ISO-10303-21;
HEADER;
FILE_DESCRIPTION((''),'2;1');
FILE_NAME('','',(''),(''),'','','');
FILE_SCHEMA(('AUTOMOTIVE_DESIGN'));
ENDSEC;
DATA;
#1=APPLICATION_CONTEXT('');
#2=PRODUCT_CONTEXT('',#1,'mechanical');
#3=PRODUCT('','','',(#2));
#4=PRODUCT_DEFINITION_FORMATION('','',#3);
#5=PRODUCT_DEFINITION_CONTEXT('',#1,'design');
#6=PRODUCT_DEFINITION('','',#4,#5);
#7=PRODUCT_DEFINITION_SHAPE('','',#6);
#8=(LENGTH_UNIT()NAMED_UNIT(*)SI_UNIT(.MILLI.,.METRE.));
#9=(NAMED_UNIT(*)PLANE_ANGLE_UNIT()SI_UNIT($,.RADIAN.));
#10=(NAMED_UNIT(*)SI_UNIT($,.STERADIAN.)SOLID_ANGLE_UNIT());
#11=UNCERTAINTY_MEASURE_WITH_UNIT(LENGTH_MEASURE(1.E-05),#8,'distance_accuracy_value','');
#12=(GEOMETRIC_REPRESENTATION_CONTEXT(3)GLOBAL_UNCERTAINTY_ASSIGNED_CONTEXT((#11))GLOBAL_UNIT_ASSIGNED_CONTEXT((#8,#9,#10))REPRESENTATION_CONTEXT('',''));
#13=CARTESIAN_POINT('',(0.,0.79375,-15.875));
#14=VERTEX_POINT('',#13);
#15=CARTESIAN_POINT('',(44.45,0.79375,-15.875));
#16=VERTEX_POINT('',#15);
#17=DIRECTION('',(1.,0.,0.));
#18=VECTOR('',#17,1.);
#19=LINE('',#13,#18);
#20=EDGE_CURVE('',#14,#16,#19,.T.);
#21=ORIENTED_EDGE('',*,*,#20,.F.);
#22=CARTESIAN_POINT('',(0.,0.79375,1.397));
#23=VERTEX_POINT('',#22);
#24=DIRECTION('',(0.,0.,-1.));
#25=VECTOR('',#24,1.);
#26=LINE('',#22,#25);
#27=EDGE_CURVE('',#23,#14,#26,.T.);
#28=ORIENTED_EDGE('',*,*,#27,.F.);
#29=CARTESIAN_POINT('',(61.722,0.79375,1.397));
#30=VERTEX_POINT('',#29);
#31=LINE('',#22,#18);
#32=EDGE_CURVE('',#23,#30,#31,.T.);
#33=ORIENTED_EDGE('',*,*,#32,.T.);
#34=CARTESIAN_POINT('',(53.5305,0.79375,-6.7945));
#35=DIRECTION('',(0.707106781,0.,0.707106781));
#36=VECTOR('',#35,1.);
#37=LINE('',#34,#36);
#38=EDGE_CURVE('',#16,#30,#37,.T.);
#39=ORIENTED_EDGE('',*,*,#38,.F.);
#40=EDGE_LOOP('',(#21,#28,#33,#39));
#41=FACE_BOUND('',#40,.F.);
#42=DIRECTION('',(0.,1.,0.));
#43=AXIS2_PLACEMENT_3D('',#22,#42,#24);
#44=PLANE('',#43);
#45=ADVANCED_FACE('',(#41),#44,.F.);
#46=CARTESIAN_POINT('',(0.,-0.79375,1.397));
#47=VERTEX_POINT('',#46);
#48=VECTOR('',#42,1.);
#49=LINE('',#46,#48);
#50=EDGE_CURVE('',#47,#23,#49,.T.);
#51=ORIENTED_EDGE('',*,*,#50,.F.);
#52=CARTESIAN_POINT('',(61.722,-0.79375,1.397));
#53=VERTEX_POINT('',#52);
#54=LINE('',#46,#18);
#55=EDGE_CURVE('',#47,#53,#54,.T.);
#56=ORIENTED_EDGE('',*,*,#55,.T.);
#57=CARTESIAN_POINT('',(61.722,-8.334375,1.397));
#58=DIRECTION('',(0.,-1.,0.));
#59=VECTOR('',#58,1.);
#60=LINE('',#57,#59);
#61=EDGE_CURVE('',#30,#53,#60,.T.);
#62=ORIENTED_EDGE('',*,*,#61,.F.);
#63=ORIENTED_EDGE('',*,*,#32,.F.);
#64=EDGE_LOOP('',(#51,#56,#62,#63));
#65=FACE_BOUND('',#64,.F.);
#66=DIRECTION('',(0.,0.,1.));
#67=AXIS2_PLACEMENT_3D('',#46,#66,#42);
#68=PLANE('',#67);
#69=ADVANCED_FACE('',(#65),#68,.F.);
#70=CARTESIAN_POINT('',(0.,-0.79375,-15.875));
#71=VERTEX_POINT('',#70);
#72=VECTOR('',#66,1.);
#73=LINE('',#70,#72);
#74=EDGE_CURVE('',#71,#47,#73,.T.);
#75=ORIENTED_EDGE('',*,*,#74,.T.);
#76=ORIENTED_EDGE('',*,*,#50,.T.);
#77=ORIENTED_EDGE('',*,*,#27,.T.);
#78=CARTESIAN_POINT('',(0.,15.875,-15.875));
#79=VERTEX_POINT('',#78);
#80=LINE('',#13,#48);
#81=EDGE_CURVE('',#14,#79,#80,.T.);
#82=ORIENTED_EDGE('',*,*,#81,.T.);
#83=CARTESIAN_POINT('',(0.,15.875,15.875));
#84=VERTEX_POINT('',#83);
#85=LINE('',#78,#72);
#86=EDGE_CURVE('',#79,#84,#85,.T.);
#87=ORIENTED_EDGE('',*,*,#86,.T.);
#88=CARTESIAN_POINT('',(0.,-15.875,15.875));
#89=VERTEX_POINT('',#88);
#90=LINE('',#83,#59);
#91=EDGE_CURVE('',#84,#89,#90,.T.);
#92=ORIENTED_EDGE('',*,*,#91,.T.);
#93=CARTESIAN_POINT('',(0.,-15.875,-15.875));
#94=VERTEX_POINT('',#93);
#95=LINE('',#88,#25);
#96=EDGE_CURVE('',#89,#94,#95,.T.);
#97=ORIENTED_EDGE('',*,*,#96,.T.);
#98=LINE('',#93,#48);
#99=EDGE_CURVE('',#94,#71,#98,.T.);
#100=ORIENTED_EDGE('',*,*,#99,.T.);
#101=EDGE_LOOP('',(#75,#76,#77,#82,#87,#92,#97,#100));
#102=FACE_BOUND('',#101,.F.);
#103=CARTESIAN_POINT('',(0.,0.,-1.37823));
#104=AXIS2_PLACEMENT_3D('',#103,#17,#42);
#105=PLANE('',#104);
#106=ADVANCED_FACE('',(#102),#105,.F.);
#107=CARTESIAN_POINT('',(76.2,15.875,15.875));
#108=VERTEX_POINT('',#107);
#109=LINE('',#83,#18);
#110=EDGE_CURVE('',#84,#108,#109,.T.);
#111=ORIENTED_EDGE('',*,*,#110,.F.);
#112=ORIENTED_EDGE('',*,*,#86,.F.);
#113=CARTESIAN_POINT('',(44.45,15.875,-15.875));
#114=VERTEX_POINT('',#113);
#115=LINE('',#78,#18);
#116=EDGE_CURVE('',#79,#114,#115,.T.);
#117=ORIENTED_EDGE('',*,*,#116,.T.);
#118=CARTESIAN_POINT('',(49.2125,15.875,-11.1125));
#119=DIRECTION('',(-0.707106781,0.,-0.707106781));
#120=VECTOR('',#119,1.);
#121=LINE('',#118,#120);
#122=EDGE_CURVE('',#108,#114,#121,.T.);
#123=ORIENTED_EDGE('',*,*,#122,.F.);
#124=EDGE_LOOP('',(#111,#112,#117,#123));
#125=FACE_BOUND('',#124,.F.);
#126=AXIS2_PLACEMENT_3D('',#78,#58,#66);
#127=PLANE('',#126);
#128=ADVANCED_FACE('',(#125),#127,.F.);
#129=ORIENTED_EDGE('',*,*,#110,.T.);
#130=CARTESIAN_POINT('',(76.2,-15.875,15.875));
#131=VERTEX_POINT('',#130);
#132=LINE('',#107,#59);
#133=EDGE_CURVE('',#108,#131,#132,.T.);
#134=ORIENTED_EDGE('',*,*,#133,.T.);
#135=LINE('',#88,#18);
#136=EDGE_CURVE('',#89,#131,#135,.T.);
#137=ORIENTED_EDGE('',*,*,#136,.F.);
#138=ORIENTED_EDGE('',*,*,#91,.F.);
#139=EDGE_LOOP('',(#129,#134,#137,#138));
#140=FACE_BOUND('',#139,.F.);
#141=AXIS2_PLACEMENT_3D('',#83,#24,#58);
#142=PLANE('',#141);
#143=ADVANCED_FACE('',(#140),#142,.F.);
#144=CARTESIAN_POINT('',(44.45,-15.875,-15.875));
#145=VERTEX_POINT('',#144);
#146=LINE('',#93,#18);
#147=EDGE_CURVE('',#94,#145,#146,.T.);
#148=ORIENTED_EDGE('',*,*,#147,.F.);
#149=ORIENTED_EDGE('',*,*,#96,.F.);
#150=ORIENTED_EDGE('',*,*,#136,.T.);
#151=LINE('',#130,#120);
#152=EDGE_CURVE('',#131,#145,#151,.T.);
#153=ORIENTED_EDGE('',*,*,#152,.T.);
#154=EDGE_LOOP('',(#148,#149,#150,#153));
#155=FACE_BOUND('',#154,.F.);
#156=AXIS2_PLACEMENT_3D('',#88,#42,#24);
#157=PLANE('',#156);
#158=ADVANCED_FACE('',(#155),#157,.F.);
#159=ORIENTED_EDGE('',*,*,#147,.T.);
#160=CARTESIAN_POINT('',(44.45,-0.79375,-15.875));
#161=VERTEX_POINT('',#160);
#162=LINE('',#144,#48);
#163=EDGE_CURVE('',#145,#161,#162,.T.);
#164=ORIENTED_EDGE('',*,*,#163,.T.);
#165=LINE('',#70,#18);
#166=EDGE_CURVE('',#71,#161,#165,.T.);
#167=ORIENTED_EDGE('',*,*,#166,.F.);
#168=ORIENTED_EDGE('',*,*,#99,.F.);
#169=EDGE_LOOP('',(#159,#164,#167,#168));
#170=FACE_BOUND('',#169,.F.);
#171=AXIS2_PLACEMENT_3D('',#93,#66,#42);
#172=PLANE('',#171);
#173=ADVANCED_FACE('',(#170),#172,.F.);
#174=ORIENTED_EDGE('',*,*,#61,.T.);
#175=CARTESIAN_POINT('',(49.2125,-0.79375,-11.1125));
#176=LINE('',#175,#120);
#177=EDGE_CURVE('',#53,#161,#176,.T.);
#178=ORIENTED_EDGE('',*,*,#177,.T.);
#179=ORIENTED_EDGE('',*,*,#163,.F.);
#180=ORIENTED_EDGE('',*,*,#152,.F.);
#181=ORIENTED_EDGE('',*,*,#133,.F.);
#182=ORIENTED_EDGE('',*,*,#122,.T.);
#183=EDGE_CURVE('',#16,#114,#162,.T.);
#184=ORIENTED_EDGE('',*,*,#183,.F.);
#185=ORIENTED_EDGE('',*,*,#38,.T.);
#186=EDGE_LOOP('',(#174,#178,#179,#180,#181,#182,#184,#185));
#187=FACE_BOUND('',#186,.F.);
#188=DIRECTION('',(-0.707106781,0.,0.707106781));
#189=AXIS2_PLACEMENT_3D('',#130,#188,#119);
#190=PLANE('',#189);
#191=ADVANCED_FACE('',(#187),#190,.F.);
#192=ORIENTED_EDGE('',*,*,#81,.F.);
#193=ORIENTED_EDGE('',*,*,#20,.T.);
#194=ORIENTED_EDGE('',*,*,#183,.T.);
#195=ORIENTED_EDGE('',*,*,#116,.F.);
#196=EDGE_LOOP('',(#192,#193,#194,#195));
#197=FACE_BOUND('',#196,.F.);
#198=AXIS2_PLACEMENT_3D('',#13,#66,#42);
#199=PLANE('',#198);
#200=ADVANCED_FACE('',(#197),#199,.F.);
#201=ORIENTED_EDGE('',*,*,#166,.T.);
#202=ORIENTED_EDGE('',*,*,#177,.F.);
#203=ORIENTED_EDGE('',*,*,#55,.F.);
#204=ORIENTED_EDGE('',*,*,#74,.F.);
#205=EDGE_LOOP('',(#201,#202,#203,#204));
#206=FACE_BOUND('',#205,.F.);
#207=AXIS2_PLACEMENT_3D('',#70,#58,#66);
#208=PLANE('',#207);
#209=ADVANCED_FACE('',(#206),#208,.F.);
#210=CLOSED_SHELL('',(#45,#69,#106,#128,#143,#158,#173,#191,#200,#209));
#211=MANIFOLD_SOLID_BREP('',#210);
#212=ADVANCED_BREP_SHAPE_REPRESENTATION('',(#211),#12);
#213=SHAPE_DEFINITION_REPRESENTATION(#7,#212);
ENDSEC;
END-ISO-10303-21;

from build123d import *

# Parameters (mm, degrees)
F1_DEPTH = 76.2
F3_DEPTH = 31.751


with BuildPart() as f1:
    # F0 (on Right) → F1 (new body)
    with BuildSketch(Plane.YZ):
        Polygon((15.875, 15.875), (-15.875, 15.875), (-15.875, -15.875), (-0.79375, -15.875), (-0.79375, 1.397), (0.79375, 1.397), (0.79375, -15.875), (15.875, -15.875), align=None)
    extrude(amount=F1_DEPTH)

    # F2 (on face) → F3 (cut, through all)
    with BuildSketch(Plane.XZ.offset(15.875)):
        Polygon((76.2, -15.875), (76.2, 15.875), (44.45, -15.875), align=None)
    extrude(amount=-F3_DEPTH, mode=Mode.SUBTRACT)


solid = f1.part
